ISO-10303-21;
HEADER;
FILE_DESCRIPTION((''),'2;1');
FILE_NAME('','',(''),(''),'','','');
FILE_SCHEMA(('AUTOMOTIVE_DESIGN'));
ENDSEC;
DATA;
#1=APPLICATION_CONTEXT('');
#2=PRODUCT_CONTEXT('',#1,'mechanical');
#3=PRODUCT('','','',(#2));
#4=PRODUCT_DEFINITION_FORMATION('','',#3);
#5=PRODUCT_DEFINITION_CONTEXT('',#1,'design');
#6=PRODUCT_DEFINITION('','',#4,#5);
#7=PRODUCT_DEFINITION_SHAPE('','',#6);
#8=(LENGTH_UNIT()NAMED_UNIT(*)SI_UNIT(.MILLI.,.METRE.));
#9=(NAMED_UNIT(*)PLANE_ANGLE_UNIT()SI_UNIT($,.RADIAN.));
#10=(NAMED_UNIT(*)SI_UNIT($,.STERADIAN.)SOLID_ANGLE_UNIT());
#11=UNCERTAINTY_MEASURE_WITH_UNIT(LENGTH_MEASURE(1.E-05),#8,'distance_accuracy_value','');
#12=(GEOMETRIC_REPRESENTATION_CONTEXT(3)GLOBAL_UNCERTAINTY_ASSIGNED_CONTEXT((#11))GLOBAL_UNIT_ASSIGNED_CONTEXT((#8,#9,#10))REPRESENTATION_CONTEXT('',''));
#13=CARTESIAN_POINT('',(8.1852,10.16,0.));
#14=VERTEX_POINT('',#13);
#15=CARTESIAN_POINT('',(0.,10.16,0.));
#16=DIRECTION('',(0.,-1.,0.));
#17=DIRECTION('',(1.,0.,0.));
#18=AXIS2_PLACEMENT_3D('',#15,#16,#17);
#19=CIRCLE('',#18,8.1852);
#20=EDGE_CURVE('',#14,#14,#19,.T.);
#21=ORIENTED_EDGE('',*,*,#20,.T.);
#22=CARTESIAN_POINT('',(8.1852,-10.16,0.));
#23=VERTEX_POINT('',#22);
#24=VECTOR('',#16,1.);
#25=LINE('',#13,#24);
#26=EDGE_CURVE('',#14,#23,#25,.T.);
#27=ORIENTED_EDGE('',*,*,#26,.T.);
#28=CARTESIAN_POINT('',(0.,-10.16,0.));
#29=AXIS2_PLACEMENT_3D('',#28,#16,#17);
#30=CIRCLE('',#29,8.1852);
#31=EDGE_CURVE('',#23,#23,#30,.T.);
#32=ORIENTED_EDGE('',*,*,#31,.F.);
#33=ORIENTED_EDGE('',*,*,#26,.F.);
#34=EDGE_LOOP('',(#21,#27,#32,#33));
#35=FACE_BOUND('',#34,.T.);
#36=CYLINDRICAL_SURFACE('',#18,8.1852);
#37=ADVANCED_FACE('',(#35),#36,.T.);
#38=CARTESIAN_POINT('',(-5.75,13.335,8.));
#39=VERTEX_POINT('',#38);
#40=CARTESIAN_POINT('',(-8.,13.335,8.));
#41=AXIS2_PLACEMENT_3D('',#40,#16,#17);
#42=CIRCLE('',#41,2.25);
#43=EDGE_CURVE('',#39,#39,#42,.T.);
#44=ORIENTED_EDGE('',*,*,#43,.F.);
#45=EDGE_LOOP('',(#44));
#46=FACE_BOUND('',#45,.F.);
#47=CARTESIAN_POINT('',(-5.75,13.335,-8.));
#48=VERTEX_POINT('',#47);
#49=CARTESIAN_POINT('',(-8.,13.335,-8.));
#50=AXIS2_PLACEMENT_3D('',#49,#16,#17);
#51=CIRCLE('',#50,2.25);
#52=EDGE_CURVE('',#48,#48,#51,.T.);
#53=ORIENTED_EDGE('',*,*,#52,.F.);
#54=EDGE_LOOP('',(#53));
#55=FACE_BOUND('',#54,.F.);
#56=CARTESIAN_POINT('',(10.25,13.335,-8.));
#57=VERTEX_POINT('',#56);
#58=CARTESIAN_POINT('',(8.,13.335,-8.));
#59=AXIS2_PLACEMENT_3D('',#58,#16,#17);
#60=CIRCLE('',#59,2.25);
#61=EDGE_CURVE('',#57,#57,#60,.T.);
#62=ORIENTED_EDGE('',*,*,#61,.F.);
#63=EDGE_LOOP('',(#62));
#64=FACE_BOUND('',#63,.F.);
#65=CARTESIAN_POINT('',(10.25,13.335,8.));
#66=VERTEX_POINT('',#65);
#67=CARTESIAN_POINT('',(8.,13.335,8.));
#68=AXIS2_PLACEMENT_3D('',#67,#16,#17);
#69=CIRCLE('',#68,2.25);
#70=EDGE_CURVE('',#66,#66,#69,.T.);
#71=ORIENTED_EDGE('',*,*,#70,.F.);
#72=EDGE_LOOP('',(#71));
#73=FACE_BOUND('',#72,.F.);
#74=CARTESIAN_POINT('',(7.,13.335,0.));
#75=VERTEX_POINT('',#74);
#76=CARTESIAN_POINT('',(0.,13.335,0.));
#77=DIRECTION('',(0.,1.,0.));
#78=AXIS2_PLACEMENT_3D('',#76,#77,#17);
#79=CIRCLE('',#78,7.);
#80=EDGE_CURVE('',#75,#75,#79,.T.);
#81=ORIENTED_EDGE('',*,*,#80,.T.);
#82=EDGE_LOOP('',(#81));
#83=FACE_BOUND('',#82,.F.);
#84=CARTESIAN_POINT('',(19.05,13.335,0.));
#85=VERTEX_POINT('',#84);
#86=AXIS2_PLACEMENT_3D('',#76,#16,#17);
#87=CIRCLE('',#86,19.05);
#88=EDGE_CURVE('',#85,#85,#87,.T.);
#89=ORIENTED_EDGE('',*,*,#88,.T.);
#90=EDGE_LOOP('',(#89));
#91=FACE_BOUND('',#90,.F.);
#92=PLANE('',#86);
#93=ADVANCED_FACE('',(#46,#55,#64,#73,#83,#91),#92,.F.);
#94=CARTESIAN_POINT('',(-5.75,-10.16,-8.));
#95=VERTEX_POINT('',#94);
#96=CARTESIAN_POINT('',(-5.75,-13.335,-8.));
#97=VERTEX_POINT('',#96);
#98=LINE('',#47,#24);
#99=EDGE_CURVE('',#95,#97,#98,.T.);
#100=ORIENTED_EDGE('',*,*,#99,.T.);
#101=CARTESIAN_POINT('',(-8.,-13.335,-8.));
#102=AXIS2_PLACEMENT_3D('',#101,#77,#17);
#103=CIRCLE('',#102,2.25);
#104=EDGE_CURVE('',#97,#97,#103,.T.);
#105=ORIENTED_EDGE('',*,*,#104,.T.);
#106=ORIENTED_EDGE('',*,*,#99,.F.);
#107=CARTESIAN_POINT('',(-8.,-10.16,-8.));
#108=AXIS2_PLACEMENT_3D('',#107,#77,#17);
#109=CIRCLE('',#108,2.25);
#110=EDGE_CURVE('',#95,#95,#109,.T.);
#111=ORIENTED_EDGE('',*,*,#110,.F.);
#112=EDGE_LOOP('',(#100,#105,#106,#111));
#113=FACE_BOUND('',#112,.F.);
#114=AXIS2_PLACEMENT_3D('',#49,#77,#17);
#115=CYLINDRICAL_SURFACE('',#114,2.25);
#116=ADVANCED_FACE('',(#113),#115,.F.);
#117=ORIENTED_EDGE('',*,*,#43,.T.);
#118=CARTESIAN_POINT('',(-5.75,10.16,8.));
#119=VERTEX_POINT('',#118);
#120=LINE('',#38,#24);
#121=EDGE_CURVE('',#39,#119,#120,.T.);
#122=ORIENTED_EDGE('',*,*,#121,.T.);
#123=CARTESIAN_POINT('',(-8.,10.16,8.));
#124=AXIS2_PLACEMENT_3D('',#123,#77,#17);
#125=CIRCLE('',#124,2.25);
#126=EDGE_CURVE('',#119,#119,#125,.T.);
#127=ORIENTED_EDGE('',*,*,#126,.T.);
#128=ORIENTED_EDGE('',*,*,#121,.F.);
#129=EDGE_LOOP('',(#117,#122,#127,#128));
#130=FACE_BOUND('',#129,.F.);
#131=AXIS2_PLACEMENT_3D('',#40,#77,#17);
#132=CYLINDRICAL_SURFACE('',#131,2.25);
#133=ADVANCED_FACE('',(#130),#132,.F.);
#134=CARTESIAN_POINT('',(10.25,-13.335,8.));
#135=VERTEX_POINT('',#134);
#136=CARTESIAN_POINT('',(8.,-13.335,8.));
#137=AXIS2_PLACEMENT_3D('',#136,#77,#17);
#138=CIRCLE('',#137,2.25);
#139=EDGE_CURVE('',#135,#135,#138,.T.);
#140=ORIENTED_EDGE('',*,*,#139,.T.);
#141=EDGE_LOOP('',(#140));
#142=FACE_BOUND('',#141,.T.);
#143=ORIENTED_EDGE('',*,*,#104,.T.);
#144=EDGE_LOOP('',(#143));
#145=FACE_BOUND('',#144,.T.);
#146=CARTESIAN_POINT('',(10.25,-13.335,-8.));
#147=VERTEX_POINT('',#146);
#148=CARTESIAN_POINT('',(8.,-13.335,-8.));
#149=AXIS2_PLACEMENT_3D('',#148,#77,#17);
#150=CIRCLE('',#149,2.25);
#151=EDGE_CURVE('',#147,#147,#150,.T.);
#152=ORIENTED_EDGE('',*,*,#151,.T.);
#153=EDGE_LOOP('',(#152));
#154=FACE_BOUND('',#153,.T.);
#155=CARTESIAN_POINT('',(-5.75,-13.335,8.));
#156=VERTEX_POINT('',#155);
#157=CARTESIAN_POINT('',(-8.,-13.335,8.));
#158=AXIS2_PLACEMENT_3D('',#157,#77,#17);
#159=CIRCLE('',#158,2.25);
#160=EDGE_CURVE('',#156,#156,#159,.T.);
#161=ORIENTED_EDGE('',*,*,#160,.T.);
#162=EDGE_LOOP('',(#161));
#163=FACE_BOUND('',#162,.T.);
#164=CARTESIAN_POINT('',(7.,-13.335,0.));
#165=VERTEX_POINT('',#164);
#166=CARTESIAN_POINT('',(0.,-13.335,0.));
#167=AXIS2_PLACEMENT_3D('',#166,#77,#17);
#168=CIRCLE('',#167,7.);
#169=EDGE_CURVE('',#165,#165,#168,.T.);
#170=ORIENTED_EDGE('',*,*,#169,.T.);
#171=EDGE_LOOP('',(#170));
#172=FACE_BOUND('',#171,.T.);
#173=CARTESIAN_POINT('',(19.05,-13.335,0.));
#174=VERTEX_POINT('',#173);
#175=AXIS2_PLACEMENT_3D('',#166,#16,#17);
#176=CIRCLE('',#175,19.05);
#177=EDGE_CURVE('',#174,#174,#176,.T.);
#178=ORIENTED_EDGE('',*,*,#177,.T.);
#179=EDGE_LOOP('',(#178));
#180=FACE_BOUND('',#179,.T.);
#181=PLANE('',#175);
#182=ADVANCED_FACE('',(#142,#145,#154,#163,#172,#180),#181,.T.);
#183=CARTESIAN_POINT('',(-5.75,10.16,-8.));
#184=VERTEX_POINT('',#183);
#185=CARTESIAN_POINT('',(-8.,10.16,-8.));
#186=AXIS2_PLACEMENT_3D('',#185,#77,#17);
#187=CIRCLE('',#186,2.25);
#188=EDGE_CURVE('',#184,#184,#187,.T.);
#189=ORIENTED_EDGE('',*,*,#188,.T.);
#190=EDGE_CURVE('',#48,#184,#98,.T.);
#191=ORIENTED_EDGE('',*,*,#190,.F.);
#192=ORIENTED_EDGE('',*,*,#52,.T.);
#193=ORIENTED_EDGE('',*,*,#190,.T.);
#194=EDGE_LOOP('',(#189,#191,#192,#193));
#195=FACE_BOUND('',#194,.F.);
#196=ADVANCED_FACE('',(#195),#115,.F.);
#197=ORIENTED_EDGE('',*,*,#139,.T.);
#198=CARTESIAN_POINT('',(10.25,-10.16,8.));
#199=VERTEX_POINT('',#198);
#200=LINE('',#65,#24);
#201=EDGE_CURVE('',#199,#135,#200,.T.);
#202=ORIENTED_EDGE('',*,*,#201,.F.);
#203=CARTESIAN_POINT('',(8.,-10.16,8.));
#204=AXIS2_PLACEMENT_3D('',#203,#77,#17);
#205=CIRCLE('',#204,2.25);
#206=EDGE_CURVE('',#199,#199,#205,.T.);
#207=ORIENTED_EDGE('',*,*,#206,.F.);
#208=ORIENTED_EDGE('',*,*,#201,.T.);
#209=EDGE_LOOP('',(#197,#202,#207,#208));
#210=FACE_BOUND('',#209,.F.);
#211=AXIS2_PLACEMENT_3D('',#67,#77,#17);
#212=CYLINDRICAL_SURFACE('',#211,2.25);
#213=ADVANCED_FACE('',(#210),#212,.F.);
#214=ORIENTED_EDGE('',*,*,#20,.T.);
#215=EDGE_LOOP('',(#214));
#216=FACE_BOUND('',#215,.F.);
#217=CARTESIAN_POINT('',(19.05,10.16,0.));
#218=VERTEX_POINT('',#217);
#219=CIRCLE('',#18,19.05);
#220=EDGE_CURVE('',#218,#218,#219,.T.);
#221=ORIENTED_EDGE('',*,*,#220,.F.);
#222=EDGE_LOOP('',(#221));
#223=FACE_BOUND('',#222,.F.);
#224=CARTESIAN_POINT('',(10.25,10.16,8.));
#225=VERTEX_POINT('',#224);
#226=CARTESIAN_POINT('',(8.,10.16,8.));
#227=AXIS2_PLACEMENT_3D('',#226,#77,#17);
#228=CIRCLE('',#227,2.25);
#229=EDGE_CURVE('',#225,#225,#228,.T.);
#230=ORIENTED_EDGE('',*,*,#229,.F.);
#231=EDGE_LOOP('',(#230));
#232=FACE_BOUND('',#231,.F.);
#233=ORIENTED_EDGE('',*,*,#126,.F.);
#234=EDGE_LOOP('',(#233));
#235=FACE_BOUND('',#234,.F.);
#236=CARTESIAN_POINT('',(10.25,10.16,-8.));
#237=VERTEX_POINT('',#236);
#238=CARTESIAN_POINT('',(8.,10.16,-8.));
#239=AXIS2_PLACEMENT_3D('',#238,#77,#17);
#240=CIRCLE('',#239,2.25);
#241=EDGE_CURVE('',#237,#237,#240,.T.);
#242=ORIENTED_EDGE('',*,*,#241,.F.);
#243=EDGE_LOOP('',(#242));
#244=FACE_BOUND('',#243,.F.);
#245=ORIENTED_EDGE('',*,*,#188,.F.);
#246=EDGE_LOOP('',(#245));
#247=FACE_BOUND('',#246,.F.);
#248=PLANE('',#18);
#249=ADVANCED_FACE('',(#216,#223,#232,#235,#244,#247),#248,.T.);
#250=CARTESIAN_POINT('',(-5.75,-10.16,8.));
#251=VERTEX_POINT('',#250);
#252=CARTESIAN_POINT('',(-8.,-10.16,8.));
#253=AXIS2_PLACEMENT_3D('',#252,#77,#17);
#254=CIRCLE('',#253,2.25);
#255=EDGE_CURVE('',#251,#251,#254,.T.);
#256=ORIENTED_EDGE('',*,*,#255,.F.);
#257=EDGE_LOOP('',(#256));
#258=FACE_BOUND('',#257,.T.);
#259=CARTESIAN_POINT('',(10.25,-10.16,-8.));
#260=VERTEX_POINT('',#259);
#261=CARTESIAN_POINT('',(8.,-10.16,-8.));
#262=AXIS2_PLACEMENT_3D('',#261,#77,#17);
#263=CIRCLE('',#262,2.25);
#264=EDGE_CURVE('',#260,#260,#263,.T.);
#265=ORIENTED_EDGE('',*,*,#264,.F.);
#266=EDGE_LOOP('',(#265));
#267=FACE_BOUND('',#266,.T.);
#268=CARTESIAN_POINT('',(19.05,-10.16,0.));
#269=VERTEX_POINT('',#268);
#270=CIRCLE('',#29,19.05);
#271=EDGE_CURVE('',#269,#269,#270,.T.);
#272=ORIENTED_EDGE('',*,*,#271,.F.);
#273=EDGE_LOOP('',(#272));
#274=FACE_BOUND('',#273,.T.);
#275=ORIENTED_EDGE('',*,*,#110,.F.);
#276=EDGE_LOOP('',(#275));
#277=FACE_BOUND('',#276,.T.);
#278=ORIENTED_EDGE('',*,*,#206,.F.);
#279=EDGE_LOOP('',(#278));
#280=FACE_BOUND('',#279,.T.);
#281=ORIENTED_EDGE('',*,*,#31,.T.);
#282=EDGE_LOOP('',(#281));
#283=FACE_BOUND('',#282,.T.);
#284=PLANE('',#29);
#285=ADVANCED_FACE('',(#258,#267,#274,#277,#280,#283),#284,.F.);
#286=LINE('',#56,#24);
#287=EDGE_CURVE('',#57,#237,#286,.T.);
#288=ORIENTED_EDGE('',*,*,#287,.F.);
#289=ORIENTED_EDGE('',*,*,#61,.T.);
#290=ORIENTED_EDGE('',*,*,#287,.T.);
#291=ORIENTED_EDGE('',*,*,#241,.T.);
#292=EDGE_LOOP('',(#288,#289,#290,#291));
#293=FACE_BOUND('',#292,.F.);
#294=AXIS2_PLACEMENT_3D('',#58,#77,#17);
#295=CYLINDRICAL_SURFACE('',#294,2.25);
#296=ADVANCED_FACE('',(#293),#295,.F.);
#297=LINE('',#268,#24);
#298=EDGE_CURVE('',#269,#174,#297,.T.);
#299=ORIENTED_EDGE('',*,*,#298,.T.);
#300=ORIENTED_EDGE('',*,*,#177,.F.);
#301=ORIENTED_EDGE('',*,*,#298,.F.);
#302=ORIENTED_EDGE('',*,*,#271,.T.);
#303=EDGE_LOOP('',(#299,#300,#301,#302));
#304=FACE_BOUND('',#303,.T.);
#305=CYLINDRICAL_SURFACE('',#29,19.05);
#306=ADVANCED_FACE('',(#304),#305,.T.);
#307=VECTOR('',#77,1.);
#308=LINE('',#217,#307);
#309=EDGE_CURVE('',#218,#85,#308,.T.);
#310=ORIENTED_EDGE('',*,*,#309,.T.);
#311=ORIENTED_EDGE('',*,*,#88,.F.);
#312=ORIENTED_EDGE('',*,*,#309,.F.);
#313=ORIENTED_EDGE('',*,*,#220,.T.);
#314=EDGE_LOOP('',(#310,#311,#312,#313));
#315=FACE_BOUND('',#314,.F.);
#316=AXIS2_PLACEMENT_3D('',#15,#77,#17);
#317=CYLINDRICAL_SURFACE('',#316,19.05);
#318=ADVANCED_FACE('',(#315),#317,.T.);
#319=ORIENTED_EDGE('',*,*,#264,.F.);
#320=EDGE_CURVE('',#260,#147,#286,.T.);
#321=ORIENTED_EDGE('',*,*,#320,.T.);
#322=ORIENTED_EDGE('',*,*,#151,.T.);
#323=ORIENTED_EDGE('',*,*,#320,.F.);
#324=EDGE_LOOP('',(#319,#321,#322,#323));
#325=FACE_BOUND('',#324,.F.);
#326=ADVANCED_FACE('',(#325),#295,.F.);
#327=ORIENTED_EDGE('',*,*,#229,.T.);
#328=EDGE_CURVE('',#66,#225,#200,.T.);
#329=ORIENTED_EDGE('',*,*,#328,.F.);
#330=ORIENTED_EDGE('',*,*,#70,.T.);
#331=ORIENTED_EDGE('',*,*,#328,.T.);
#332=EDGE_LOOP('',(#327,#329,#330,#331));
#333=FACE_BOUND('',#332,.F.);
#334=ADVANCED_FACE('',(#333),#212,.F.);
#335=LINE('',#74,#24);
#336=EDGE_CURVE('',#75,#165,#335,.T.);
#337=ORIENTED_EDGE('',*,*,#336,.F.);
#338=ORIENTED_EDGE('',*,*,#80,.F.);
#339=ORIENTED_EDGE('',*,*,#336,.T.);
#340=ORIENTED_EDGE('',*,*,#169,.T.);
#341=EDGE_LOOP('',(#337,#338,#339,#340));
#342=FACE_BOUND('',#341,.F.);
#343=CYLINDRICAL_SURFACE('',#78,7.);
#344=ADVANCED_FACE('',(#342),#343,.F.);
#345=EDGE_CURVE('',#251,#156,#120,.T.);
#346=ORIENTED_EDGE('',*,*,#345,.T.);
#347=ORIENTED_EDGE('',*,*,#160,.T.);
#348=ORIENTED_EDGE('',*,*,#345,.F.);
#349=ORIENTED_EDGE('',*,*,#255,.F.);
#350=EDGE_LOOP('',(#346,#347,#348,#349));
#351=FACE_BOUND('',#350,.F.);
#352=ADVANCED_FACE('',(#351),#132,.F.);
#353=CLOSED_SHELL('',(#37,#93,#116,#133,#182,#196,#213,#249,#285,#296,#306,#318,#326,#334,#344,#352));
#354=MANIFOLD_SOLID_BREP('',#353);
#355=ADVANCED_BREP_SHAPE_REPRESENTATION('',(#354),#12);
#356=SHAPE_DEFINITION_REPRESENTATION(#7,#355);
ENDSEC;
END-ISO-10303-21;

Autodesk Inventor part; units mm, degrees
ref_plane "YZ Plane" through (0, 0, 0) normal (1, 0, 0) x (0, 1, 0)
ref_plane "XZ Plane" through (0, 0, 0) normal (0, 1, 0) x (-1, 0, 0)
ref_plane "XY Plane" through (0, 0, 0) normal (0, 0, 1) x (1, 0, 0)
sketch "Sketch1" plane through (0, 0, 0) normal (0, 0, 1) x (1, 0, 0)
  line L0 (-5, -10.16) -> (5, -10.16)
  line L1 (5, -10.16) -> (5, 10.16)
  line L2 (5, 10.16) -> (-5, 10.16)
  line L3 (-5, 10.16) -> (-5, -10.16)
  line L4 (-5, -10.16) -> (5, 10.16) construction
  line L5 (5, -10.16) -> (-5, 10.16) construction
  line L6 (5, 10.16) -> (8.1852, 10.16)
  line L7 (8.1852, 10.16) -> (8.1852, -10.16)
  line L8 (8.1852, -10.16) -> (5, -10.16)
  line L9 (5, -10.16) -> (5, 10.16)
  line L10 (0, 10.16) -> (0, -10.16)
  line L11 (0, 10.16) -> (19.05, 10.16)
  line L12 (19.05, 10.16) -> (19.05, 13.335)
  line L13 (19.05, 13.335) -> (0, 13.335)
  line L14 (0, 13.335) -> (0, 10.16)
  line L15 (0, -10.16) -> (19.05, -10.16)
  line L16 (19.05, -10.16) -> (19.05, -13.335)
  line L17 (19.05, -13.335) -> (0, -13.335)
  line L18 (0, -13.335) -> (0, -10.16)
  point P0 (0, 0)
  point P1 (8.1852, -10.16)
  dimension "d0" = 10
  dimension "d1" = 20.32
  dimension "d2" = 3.1852
  dimension "d3" = 19.05
  dimension "d4" = 3.175
  dimension "d5" = 19.05
  dimension "d6" = 3.175
revolve "Revolution1" add sketch "Sketch1" angle 360 about axis through (0, 10.16, 0) along (0, -1, 0) contours L0 L8 L15 L16 L17 L18 | L1 L6 L7 L8 | L14 L13 L12 L11 L6 L2
sketch "Sketch2" plane through (0, 13.335, 0) normal (0, 1, 0) x (1, 0, 0)
  circle A0 centre (0, 0) radius 7
  line L0 (8, -8) -> (-8, -8)
  line L1 (-8, -8) -> (-8, 8)
  line L2 (-8, 8) -> (8, 8)
  line L3 (8, 8) -> (8, -8)
  line L4 (8, -8) -> (-8, 8) construction
  line L5 (-8, -8) -> (8, 8) construction
  circle A1 centre (-8, 8) radius 2.25
  circle A2 centre (8, 8) radius 2.25
  circle A3 centre (8, -8) radius 2.25
  circle A4 centre (-8, -8) radius 2.25
  dimension "d8" = 14
  dimension "d11" = 16
  dimension "d12" = 16
  dimension "d13" = 4.5
  dimension "d14" = 4.5
  dimension "d15" = 4.5
  dimension "d16" = 4.5
extrude "Extrusion1" cut sketch "Sketch2" against normal through all contours A0 | A4 L1 L0 | L0 L1 A4 | A3 L3 L0 | L0 L3 A3 | A1 L2 L1 | L1 L2 A1 | A2 L2 L3 | L3 L2 A2
properties part number "Slide_Climb_Spool"
